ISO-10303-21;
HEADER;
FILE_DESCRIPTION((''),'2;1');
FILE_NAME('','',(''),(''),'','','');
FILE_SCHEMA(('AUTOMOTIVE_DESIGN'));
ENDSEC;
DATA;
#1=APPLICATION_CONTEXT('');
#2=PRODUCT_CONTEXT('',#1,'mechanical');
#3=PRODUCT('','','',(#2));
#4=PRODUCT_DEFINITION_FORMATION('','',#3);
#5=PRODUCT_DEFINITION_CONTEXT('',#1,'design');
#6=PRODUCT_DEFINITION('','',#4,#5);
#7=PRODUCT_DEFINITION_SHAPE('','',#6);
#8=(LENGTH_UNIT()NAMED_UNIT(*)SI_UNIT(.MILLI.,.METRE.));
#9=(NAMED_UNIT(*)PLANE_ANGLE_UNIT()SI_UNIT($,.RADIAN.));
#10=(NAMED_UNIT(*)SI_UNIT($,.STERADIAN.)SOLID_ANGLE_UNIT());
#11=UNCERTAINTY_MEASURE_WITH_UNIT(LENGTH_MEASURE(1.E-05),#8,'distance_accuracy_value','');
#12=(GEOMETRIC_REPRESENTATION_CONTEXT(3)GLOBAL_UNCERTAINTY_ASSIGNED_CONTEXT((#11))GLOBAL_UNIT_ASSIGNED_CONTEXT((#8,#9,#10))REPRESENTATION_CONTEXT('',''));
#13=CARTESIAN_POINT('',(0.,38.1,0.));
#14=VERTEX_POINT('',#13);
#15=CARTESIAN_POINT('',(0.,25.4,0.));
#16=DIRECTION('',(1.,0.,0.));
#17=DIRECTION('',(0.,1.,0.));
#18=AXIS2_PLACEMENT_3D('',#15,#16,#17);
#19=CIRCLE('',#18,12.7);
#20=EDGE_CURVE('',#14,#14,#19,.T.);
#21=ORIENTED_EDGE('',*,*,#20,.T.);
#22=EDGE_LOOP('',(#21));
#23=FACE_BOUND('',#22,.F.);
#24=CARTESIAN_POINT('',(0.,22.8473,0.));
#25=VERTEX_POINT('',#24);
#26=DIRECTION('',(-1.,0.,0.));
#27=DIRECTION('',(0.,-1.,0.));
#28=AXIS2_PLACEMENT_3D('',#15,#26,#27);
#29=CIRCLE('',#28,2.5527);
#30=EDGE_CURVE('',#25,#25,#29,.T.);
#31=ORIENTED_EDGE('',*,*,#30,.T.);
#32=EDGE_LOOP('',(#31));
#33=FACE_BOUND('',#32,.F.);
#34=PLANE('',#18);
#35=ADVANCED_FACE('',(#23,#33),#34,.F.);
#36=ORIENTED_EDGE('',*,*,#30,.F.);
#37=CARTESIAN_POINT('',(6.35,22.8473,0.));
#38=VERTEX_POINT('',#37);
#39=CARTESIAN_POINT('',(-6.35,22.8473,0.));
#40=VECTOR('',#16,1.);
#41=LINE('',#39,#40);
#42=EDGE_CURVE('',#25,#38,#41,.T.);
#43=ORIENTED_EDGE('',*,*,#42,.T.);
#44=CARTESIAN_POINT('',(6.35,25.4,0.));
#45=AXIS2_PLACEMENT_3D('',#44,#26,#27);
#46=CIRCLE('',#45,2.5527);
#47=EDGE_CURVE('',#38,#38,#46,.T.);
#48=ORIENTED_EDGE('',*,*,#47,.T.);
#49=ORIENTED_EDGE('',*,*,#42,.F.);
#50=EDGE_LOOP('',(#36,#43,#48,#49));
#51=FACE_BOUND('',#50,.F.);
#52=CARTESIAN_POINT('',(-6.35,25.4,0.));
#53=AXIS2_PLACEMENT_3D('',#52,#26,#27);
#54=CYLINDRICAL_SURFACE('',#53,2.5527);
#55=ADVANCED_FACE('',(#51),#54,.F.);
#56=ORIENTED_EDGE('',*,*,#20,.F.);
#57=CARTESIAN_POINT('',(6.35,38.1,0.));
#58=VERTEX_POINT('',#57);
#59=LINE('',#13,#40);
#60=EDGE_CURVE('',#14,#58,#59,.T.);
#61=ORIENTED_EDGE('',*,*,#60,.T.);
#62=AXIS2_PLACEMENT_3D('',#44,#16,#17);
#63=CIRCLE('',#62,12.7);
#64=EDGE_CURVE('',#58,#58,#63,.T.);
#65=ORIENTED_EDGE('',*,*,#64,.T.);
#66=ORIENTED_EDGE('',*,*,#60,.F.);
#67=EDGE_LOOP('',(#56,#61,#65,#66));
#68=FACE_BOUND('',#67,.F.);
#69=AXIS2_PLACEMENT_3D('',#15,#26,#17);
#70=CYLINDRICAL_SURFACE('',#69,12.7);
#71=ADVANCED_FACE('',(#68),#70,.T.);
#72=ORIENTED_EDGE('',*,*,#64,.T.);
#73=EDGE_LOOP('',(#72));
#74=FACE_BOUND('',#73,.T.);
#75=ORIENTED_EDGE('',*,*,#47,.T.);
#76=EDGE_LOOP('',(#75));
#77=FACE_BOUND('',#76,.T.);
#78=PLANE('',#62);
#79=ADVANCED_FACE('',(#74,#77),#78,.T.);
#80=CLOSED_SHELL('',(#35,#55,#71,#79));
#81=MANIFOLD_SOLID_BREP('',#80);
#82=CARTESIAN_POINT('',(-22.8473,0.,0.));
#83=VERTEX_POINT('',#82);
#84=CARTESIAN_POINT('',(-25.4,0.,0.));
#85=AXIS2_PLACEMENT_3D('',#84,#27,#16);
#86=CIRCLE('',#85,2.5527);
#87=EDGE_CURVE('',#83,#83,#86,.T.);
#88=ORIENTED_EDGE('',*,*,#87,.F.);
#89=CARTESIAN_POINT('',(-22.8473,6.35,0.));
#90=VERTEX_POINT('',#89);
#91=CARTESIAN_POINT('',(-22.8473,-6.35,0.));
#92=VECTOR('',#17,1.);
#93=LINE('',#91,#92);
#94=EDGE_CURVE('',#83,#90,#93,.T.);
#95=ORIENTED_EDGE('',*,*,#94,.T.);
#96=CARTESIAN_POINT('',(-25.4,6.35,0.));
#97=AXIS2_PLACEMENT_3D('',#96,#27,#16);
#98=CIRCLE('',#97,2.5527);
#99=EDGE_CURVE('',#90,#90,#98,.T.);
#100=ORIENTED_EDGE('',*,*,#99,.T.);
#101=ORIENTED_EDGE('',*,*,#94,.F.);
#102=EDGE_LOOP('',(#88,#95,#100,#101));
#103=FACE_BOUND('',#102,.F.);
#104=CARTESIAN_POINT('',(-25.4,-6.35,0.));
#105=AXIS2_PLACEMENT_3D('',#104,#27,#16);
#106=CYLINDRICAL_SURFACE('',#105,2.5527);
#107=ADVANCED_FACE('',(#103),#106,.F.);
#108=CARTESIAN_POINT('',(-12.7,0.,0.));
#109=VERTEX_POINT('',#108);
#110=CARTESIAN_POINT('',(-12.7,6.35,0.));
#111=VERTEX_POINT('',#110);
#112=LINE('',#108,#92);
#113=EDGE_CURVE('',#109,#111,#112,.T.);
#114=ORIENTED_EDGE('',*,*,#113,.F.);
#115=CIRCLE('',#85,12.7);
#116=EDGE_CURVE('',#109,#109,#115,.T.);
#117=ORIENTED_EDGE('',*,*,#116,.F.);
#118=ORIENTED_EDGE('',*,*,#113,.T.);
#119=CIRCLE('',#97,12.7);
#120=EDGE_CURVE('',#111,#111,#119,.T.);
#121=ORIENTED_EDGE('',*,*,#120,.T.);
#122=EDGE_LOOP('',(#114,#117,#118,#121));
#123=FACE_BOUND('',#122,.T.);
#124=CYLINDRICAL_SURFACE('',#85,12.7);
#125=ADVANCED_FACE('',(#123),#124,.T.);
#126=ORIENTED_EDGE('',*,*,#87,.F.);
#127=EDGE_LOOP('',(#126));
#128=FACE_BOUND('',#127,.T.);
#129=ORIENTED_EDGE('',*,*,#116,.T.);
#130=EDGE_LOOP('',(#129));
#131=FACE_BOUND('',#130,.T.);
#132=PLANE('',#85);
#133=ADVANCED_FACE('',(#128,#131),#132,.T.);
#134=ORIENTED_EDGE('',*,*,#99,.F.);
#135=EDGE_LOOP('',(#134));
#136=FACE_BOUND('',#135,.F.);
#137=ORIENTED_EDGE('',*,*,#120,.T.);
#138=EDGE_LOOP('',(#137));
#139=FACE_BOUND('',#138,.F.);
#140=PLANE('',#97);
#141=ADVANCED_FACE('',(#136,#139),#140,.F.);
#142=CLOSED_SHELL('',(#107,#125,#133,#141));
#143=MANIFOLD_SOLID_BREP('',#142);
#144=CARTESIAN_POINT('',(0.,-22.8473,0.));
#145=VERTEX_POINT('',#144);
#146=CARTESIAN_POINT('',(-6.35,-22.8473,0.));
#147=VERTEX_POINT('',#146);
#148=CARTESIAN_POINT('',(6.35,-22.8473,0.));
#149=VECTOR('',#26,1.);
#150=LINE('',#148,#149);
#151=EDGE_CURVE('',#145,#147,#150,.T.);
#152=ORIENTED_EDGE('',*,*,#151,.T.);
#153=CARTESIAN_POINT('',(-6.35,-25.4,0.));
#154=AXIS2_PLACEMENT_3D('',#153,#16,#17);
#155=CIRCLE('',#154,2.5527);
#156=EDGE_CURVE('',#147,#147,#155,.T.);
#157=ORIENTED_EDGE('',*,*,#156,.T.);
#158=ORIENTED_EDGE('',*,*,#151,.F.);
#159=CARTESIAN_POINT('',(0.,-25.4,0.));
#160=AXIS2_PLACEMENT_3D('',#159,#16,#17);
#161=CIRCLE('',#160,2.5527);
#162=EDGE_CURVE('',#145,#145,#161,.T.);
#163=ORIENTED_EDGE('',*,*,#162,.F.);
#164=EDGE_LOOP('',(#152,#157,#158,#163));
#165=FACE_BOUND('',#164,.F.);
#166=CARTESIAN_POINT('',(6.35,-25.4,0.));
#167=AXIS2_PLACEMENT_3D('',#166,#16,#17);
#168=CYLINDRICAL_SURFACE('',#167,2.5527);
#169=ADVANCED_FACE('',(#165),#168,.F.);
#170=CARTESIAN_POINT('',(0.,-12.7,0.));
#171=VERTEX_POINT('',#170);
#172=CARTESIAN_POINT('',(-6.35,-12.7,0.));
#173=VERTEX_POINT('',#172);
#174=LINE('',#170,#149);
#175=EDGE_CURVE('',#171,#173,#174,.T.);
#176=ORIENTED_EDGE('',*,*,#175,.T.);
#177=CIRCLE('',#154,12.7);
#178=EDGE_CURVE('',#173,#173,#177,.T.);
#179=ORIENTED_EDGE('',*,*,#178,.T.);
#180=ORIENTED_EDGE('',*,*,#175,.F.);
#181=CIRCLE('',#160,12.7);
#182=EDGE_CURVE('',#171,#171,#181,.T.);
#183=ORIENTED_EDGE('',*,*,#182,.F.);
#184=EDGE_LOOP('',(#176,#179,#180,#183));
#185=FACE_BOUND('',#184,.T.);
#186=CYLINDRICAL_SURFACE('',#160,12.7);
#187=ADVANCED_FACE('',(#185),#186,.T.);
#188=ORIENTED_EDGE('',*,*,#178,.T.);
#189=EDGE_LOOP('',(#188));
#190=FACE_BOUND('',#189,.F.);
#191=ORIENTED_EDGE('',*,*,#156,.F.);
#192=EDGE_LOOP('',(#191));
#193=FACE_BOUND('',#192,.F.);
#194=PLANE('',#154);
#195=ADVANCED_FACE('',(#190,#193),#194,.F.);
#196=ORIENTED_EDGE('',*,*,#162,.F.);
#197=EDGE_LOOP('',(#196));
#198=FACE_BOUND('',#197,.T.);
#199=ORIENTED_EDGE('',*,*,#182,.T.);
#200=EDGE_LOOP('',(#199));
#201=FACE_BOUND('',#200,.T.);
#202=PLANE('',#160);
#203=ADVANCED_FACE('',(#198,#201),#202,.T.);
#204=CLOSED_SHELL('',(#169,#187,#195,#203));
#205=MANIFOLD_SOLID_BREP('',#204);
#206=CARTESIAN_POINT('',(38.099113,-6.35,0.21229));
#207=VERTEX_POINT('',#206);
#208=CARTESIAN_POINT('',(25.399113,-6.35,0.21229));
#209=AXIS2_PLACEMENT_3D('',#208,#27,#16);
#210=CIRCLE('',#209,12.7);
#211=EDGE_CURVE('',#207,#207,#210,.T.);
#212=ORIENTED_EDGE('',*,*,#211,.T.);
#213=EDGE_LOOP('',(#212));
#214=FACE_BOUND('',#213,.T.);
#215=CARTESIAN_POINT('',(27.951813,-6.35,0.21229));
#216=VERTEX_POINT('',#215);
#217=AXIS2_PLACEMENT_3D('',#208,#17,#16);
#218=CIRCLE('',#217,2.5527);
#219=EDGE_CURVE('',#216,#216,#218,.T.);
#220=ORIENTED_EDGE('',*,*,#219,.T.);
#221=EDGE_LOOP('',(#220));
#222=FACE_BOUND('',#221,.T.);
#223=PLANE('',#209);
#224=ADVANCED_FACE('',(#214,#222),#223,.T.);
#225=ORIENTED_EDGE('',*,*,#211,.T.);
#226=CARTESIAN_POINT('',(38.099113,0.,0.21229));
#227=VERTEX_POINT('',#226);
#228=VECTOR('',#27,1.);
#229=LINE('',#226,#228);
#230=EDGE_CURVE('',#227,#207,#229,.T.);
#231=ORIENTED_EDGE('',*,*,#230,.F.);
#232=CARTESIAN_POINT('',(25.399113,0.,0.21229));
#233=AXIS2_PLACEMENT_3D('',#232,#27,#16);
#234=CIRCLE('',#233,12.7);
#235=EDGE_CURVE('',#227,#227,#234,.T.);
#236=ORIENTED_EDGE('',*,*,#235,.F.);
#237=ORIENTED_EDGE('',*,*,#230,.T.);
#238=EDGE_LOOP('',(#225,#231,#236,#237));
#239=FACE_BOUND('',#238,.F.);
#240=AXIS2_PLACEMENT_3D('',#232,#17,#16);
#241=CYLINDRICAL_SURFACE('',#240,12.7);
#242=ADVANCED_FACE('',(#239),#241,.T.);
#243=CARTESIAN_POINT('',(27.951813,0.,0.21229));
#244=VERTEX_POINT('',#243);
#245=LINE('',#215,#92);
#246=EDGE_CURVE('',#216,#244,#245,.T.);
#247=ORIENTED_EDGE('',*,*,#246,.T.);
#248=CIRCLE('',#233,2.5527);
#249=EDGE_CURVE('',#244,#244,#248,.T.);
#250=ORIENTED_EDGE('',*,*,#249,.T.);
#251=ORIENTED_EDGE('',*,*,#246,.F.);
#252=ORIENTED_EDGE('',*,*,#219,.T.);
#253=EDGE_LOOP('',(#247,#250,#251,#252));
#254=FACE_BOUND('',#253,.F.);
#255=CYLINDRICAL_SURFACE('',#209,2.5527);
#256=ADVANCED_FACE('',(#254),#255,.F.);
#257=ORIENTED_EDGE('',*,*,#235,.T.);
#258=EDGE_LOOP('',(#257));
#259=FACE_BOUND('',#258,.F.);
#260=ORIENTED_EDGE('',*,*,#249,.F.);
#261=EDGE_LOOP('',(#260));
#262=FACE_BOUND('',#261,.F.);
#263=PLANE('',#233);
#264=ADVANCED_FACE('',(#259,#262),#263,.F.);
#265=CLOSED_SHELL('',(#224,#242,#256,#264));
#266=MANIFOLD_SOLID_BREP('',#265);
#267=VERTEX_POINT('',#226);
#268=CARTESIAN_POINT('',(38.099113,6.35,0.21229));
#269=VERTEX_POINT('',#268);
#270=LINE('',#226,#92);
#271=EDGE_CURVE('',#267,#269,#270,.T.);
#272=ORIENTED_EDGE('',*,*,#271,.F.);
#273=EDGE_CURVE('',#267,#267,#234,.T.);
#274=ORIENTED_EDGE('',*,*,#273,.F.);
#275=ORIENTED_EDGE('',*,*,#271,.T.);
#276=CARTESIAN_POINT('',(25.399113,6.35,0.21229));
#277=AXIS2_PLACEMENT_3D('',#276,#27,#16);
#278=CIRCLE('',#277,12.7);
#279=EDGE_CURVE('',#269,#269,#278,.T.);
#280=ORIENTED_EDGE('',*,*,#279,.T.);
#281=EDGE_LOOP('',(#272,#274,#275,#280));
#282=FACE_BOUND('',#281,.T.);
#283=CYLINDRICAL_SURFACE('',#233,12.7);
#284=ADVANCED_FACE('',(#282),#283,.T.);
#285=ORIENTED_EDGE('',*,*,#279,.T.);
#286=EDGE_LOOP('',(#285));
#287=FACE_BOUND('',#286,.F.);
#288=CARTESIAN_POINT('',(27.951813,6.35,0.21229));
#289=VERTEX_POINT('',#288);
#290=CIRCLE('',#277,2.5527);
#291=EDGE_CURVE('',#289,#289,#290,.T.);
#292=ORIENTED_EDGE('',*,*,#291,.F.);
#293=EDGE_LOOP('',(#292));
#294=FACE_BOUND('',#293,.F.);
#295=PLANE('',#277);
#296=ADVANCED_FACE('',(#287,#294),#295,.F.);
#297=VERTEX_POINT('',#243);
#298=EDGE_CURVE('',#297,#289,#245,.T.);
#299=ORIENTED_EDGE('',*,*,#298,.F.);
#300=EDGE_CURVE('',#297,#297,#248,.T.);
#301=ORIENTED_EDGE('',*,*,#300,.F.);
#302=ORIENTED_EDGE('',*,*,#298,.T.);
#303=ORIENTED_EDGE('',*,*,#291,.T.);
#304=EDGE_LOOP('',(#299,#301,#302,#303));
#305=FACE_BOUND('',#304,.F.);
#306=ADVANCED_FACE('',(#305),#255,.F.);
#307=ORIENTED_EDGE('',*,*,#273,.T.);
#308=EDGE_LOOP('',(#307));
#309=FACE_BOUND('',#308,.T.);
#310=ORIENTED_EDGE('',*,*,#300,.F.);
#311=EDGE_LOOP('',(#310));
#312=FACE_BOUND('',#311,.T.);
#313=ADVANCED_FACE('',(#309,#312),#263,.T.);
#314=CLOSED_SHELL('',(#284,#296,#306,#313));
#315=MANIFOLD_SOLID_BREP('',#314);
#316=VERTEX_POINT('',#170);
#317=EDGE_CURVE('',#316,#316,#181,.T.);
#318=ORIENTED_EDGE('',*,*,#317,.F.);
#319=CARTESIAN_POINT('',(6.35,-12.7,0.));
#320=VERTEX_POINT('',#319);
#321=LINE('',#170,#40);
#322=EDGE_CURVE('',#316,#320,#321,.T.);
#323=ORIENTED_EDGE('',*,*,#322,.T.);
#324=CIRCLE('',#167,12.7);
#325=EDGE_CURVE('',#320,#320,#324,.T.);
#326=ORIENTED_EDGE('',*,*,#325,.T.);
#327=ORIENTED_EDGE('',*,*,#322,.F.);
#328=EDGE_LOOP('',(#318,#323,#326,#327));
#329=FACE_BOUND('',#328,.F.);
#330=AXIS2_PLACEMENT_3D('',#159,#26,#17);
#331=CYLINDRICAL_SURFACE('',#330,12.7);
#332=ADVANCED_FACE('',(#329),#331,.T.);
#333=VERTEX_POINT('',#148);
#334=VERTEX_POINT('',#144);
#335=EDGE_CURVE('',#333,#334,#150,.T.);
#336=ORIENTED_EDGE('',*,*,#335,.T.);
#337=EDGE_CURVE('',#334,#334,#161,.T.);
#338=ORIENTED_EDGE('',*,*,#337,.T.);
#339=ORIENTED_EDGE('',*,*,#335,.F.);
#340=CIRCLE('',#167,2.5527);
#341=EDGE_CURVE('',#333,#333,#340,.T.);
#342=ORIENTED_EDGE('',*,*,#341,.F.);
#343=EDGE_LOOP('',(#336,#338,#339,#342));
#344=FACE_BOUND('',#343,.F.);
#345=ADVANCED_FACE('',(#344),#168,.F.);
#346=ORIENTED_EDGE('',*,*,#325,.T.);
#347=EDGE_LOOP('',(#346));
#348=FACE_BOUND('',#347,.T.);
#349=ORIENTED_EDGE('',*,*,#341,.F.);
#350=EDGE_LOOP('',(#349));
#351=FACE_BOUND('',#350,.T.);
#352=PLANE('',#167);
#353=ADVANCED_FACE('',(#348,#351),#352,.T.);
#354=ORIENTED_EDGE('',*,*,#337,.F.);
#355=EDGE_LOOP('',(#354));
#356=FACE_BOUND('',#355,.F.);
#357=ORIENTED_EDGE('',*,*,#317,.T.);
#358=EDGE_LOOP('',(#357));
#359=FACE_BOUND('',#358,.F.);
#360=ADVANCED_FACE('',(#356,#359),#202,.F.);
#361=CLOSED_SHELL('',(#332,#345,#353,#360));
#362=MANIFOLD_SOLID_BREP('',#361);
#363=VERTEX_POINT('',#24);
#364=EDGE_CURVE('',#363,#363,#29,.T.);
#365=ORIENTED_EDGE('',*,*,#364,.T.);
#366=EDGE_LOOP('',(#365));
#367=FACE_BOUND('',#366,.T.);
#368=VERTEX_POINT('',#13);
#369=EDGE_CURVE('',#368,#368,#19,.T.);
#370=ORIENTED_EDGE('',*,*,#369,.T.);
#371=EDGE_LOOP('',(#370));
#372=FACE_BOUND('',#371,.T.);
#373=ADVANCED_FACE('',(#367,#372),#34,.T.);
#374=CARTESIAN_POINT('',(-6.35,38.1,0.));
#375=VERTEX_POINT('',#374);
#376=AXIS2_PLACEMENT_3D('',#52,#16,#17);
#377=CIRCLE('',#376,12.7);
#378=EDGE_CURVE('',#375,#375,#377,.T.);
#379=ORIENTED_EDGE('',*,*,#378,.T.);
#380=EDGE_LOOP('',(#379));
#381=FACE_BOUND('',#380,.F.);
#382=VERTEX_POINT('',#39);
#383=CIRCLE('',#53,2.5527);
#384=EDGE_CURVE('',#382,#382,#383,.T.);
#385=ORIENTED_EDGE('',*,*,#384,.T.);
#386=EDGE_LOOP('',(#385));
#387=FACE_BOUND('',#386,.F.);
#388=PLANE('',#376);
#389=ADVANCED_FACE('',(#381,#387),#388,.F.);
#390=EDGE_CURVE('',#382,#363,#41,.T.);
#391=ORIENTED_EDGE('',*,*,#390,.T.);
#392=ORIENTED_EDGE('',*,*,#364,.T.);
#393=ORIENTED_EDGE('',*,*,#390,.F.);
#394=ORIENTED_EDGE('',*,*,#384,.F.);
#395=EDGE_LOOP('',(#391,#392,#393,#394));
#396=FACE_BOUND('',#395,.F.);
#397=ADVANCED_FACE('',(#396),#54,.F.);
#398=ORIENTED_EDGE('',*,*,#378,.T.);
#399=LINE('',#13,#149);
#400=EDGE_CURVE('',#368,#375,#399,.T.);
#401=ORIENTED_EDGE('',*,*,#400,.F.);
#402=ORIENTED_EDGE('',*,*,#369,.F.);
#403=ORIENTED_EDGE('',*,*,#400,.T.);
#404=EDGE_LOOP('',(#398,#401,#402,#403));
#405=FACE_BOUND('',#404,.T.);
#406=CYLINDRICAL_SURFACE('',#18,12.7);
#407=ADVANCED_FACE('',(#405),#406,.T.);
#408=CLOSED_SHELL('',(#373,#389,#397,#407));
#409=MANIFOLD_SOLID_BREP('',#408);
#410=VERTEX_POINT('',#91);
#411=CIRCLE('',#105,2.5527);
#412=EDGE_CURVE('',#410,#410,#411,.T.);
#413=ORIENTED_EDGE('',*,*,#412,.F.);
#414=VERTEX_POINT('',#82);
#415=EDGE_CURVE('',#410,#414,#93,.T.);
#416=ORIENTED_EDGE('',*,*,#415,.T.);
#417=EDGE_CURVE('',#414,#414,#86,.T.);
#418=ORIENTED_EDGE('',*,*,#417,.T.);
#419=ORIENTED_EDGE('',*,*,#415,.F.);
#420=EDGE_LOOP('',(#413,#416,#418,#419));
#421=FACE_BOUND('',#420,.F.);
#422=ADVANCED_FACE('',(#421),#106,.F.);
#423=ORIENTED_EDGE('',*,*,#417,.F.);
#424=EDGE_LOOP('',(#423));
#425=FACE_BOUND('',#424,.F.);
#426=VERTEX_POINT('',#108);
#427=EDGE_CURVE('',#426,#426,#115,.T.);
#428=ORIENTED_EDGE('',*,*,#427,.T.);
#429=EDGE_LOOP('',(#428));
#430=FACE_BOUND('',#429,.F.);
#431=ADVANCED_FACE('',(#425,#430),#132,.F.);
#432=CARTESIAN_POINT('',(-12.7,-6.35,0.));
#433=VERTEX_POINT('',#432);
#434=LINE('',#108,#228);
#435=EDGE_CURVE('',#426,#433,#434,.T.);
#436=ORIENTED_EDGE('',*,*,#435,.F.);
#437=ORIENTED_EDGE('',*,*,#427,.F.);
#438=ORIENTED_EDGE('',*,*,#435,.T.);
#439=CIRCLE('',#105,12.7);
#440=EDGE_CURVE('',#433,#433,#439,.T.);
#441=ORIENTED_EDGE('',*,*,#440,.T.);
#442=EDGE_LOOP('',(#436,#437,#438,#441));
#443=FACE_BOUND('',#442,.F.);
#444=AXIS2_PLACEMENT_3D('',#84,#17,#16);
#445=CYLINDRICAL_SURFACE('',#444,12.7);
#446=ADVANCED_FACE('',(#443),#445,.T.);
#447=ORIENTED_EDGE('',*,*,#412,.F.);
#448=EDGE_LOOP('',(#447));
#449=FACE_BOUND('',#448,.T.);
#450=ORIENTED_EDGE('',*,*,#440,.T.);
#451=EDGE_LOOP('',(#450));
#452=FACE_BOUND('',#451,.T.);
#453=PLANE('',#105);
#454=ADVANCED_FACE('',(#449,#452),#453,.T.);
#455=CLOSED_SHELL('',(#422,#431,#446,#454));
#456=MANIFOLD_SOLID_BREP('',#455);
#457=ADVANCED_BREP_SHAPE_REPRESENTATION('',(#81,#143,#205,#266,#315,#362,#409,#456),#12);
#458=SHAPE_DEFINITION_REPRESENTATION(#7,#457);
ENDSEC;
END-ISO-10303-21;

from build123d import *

# Parameters (mm, degrees)
F0_R      = 12.7
F1_DEPTH  = 6.35
F2_DEPTH  = 6.35
F3_R      = 2.5527
F4_DEPTH  = 50.8
F5_R      = 2.5527
F6_DEPTH  = 25.4
F7_R      = 2.5527
F8_DEPTH  = 25.4
F9_R      = 2.5527
F10_DEPTH = 25.4
F11_R     = 12.7
F12_DEPTH = 6.35
F13_DEPTH = 6.35
F14_R     = 2.5527
F15_DEPTH = 25.4
F16_R     = 2.5527
F17_DEPTH = 25.4
F18_R     = 2.5527
F19_DEPTH = 25.4
F20_R     = 2.5527
F21_DEPTH = 25.4


with BuildPart() as f1:
    # F0 (on Front) → F1 (new body)
    with BuildSketch(Plane.XZ):
        with Locations((25.3991128396, 0.2122898001)):
            Circle(F0_R)
    extrude(amount=F1_DEPTH)


with BuildPart() as f1b:
    # F0 (on Front) → F1, piece 2 (new body)
    with BuildSketch(Plane.XZ):
        with Locations((-25.4, 0)):
            Circle(F0_R)
    extrude(amount=F1_DEPTH)


with BuildPart() as f2:
    # F2 (new): a face of the model
    f2_faces = [f1b.part.faces().sort_by_distance(p)[0] for p in [
        (-25.4, 0, 0),
    ]]
    extrude(f2_faces, amount=F2_DEPTH)


with BuildPart() as f2b:
    # F2#2 (new): a face of the model
    f2_2_faces = [f1.part.faces().sort_by_distance(p)[0] for p in [
        (25.3991128396, 0, 0.2122898001),
    ]]
    extrude(f2_2_faces, amount=F2_DEPTH)


with BuildPart() as f4_tool:
    # F3 (on face) → F4 (new body)
    with BuildSketch(Plane.XZ.offset(6.35)):
        with Locations((-25.4, 0)):
            Circle(F3_R)
    extrude(amount=-F4_DEPTH)


with BuildPart() as f1b_1:
    add(f1b.part)

    # F4: cut by f4_tool
    add(f4_tool.part, mode=Mode.SUBTRACT)


with BuildPart() as f2_1:
    add(f2.part)

    # F4: cut by f4_tool
    add(f4_tool.part, mode=Mode.SUBTRACT)


with BuildPart() as f1_1:
    add(f1.part)

    # F5 (on face) → F6 (cut)
    with BuildSketch(Plane(origin=(0, 6.35, 0), x_dir=(-1, 0, 0), z_dir=(0, 1, 0))):
        with Locations((25.4, 0)):
            Circle(F5_R)
    extrude(amount=-F6_DEPTH, mode=Mode.SUBTRACT)


with BuildPart() as f8_tool:
    # F7 (on face) → F8 (new body)
    with BuildSketch(Plane.XZ.offset(6.35)):
        with Locations((25.3991128396, 0.2122898001)):
            Circle(F7_R)
    extrude(amount=-F8_DEPTH)


with BuildPart() as f1_2:
    add(f1_1.part)

    # F8: cut by f8_tool
    add(f8_tool.part, mode=Mode.SUBTRACT)

    # F9 (on face) → F10 (cut)
    with BuildSketch(Plane(origin=(0, 6.35, 0), x_dir=(-1, 0, 0), z_dir=(0, 1, 0))):
        with Locations((-25.3991128396, 0.2122898001)):
            Circle(F9_R)
    extrude(amount=-F10_DEPTH, mode=Mode.SUBTRACT)

    # F16 (on face) → F17 (cut)
    with BuildSketch(Plane.YZ.offset(6.35)):
        with Locations((25.4, 0)):
            Circle(F16_R)
    extrude(amount=-F17_DEPTH, mode=Mode.SUBTRACT)

    # F20 (on face) → F21 (cut)
    with BuildSketch(Plane(origin=(-6.35, 0, 0), x_dir=(0, -1, 0), z_dir=(-1, 0, 0))):
        with Locations((25.4, 0)):
            Circle(F20_R)
    extrude(amount=-F21_DEPTH, mode=Mode.SUBTRACT)


with BuildPart() as f2b_1:
    add(f2b.part)

    # F8: cut by f8_tool
    add(f8_tool.part, mode=Mode.SUBTRACT)


with BuildPart() as f12:
    # F11 (on Right) → F12 (new body)
    with BuildSketch(Plane.YZ):
        with Locations((-25.4, 0)):
            Circle(F11_R)
    extrude(amount=F12_DEPTH)


with BuildPart() as f12b:
    # F11 (on Right) → F12, piece 2 (new body)
    with BuildSketch(Plane.YZ):
        with Locations((25.4, 0)):
            Circle(F11_R)
    extrude(amount=F12_DEPTH)


with BuildPart() as f13:
    # F13 (new): a face of the model
    f13_faces = [f12b.part.faces().sort_by_distance(p)[0] for p in [
        (0, 25.4, 0),
    ]]
    extrude(f13_faces, amount=F13_DEPTH)


with BuildPart() as f13b:
    # F13#2 (new): a face of the model
    f13_2_faces = [f12.part.faces().sort_by_distance(p)[0] for p in [
        (0, -25.4, 0),
    ]]
    extrude(f13_2_faces, amount=F13_DEPTH)


with BuildPart() as f15_tool:
    # F14 (on face) → F15 (new body)
    with BuildSketch(Plane(origin=(-6.35, 0, 0), x_dir=(0, -1, 0), z_dir=(-1, 0, 0))):
        with Locations((-25.4, 0)):
            Circle(F14_R)
    extrude(amount=-F15_DEPTH)


with BuildPart() as f12b_1:
    add(f12b.part)

    # F15: cut by f15_tool
    add(f15_tool.part, mode=Mode.SUBTRACT)


with BuildPart() as f13_1:
    add(f13.part)

    # F15: cut by f15_tool
    add(f15_tool.part, mode=Mode.SUBTRACT)


with BuildPart() as f19_tool:
    # F18 (on face) → F19 (new body)
    with BuildSketch(Plane.YZ.offset(6.35)):
        with Locations((-25.4, 0)):
            Circle(F18_R)
    extrude(amount=-F19_DEPTH)


with BuildPart() as f12_1:
    add(f12.part)

    # F19: cut by f19_tool
    add(f19_tool.part, mode=Mode.SUBTRACT)


with BuildPart() as f13b_1:
    add(f13b.part)

    # F19: cut by f19_tool
    add(f19_tool.part, mode=Mode.SUBTRACT)


solid = Compound([f1b_1.part, f2_1.part, f1_2.part, f2b_1.part, f12b_1.part, f13_1.part, f12_1.part, f13b_1.part])
